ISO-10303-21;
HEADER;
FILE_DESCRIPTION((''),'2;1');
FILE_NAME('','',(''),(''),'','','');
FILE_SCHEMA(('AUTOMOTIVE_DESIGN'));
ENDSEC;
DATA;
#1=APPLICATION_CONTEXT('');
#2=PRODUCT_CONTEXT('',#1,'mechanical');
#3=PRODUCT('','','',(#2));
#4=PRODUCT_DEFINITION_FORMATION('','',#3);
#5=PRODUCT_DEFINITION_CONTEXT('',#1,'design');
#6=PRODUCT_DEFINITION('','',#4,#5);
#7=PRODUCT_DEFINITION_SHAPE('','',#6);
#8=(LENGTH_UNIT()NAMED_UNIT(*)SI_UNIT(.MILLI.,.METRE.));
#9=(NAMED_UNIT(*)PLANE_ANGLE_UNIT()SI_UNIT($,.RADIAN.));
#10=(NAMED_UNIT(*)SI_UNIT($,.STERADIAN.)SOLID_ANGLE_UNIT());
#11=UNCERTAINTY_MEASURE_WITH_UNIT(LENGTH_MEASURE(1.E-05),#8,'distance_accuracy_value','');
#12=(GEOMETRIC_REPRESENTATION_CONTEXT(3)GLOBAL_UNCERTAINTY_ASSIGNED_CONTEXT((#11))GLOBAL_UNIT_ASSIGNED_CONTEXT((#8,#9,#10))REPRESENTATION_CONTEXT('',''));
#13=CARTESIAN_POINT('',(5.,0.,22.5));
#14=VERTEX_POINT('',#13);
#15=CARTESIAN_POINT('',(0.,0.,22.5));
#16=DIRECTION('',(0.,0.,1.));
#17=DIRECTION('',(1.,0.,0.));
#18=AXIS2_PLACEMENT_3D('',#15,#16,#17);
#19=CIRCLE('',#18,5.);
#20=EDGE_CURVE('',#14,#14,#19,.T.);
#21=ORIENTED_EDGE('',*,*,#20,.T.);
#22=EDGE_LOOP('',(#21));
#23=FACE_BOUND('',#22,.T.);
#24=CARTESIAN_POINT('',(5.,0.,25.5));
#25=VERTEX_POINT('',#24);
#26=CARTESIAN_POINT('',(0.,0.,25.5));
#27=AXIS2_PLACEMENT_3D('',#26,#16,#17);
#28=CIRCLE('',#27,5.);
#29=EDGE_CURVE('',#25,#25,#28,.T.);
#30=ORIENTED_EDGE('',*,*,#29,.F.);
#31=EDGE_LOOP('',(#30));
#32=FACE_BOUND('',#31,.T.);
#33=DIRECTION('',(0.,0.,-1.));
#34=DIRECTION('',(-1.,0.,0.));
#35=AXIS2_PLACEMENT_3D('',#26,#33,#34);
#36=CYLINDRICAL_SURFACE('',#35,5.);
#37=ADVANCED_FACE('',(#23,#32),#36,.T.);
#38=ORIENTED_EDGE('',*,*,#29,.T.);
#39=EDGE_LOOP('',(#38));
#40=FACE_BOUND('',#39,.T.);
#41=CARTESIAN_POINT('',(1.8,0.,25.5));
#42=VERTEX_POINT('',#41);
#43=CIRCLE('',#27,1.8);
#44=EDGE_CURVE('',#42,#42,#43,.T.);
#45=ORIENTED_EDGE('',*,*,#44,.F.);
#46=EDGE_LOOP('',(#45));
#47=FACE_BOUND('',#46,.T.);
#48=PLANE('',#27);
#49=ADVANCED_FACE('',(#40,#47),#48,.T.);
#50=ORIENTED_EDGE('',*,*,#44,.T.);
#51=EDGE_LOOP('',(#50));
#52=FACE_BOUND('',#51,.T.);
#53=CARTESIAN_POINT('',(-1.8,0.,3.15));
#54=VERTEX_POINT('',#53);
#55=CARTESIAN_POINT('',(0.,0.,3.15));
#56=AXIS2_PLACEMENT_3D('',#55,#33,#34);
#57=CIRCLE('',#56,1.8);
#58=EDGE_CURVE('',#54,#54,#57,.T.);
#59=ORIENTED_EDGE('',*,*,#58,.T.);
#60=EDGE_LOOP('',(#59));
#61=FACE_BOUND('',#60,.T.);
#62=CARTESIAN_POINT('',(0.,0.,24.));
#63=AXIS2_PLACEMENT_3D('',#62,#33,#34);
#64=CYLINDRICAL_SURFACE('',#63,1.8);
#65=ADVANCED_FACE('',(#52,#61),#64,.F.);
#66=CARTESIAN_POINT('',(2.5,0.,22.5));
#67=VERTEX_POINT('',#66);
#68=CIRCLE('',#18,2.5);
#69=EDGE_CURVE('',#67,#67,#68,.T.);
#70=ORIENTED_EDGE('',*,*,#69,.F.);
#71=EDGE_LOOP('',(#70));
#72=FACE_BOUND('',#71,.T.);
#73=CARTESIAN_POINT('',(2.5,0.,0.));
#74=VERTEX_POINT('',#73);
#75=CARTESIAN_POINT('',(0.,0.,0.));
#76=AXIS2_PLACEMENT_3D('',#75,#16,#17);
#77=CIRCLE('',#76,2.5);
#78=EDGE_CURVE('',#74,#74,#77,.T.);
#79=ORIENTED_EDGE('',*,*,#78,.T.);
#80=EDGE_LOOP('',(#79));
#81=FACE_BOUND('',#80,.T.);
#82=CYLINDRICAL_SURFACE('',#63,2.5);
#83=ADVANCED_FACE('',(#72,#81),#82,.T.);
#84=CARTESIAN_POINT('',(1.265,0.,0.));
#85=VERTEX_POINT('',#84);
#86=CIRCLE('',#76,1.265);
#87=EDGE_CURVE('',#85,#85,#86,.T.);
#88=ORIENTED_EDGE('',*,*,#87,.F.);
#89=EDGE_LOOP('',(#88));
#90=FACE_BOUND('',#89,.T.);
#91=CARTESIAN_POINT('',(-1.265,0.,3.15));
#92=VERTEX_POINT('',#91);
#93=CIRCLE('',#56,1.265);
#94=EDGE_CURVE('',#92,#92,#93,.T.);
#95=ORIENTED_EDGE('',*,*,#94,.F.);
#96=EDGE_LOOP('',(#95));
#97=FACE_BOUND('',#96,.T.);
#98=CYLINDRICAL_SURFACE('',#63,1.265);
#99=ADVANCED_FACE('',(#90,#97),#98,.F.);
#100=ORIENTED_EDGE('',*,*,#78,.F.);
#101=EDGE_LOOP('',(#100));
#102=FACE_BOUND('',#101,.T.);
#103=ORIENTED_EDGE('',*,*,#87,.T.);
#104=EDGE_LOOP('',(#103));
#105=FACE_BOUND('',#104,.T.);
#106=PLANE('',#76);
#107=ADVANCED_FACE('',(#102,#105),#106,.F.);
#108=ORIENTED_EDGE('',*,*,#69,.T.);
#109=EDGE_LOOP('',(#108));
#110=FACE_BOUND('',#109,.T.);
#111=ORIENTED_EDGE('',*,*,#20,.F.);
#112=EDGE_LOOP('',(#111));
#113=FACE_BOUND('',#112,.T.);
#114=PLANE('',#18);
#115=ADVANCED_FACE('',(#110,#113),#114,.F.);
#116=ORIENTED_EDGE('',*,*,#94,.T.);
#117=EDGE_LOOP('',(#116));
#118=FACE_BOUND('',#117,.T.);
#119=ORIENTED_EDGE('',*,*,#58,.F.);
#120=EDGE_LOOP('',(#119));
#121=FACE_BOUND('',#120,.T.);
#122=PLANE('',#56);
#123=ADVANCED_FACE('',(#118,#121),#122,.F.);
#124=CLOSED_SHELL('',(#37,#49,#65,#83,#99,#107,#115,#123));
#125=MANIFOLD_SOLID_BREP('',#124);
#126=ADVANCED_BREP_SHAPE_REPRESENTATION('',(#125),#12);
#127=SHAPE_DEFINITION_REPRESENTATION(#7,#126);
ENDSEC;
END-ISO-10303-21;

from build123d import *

# Parameters (mm, degrees)
CROQUIS1_R                 = 2.5
CROQUIS1_R_2               = 1.8
SALIENTE_EXTRUIR1_DEPTH    = 24
CROQUIS3_R                 = 1.8
SALIENTE_EXTRUIR2_DEPTH    = 3.15
CORTAR_EXTRUIR1_DEPTH      = 25.259018941
CORTAR_EXTRUIR1_DEPTH_BACK = 25.259018941
CROQUIS4_R                 = 1.265
CROQUIS5_R                 = 5
CROQUIS5_R_2               = 1.8
SALIENTE_EXTRUIR3_DEPTH    = 1.5


with BuildPart() as part:
    # Croquis1 → Saliente-Extruir1 (new body)
    with BuildSketch(Plane.XY):
        Circle(CROQUIS1_R)
        Circle(CROQUIS1_R_2, mode=Mode.SUBTRACT)
    extrude(amount=SALIENTE_EXTRUIR1_DEPTH)

    # Croquis3 → Saliente-Extruir2 (add)
    with BuildSketch(Plane(origin=(0, 0, 0), x_dir=(-1, 0, 0), z_dir=(0, 0, -1))):
        Circle(CROQUIS3_R)
    extrude(amount=-SALIENTE_EXTRUIR2_DEPTH)

    # Croquis4 → Cortar-Extruir1 (cut, two sides: drawn at the far end of the back side and taken through both)
    with BuildSketch(Plane(origin=(0, 0, 0), x_dir=(-1, 0, 0), z_dir=(0, 0, -1)).offset(-CORTAR_EXTRUIR1_DEPTH_BACK)):
        Circle(CROQUIS4_R)
    extrude(amount=CORTAR_EXTRUIR1_DEPTH + CORTAR_EXTRUIR1_DEPTH_BACK, mode=Mode.SUBTRACT)

    # Croquis5 → Saliente-Extruir3 (add, symmetric)
    with BuildSketch(Plane.XY.offset(24)):
        Circle(CROQUIS5_R)
        with Locations(Location((0, 0, 0), (0, 0, 180))):
            Circle(CROQUIS5_R_2, mode=Mode.SUBTRACT)
    extrude(amount=SALIENTE_EXTRUIR3_DEPTH, both=True)


solid = part.part
